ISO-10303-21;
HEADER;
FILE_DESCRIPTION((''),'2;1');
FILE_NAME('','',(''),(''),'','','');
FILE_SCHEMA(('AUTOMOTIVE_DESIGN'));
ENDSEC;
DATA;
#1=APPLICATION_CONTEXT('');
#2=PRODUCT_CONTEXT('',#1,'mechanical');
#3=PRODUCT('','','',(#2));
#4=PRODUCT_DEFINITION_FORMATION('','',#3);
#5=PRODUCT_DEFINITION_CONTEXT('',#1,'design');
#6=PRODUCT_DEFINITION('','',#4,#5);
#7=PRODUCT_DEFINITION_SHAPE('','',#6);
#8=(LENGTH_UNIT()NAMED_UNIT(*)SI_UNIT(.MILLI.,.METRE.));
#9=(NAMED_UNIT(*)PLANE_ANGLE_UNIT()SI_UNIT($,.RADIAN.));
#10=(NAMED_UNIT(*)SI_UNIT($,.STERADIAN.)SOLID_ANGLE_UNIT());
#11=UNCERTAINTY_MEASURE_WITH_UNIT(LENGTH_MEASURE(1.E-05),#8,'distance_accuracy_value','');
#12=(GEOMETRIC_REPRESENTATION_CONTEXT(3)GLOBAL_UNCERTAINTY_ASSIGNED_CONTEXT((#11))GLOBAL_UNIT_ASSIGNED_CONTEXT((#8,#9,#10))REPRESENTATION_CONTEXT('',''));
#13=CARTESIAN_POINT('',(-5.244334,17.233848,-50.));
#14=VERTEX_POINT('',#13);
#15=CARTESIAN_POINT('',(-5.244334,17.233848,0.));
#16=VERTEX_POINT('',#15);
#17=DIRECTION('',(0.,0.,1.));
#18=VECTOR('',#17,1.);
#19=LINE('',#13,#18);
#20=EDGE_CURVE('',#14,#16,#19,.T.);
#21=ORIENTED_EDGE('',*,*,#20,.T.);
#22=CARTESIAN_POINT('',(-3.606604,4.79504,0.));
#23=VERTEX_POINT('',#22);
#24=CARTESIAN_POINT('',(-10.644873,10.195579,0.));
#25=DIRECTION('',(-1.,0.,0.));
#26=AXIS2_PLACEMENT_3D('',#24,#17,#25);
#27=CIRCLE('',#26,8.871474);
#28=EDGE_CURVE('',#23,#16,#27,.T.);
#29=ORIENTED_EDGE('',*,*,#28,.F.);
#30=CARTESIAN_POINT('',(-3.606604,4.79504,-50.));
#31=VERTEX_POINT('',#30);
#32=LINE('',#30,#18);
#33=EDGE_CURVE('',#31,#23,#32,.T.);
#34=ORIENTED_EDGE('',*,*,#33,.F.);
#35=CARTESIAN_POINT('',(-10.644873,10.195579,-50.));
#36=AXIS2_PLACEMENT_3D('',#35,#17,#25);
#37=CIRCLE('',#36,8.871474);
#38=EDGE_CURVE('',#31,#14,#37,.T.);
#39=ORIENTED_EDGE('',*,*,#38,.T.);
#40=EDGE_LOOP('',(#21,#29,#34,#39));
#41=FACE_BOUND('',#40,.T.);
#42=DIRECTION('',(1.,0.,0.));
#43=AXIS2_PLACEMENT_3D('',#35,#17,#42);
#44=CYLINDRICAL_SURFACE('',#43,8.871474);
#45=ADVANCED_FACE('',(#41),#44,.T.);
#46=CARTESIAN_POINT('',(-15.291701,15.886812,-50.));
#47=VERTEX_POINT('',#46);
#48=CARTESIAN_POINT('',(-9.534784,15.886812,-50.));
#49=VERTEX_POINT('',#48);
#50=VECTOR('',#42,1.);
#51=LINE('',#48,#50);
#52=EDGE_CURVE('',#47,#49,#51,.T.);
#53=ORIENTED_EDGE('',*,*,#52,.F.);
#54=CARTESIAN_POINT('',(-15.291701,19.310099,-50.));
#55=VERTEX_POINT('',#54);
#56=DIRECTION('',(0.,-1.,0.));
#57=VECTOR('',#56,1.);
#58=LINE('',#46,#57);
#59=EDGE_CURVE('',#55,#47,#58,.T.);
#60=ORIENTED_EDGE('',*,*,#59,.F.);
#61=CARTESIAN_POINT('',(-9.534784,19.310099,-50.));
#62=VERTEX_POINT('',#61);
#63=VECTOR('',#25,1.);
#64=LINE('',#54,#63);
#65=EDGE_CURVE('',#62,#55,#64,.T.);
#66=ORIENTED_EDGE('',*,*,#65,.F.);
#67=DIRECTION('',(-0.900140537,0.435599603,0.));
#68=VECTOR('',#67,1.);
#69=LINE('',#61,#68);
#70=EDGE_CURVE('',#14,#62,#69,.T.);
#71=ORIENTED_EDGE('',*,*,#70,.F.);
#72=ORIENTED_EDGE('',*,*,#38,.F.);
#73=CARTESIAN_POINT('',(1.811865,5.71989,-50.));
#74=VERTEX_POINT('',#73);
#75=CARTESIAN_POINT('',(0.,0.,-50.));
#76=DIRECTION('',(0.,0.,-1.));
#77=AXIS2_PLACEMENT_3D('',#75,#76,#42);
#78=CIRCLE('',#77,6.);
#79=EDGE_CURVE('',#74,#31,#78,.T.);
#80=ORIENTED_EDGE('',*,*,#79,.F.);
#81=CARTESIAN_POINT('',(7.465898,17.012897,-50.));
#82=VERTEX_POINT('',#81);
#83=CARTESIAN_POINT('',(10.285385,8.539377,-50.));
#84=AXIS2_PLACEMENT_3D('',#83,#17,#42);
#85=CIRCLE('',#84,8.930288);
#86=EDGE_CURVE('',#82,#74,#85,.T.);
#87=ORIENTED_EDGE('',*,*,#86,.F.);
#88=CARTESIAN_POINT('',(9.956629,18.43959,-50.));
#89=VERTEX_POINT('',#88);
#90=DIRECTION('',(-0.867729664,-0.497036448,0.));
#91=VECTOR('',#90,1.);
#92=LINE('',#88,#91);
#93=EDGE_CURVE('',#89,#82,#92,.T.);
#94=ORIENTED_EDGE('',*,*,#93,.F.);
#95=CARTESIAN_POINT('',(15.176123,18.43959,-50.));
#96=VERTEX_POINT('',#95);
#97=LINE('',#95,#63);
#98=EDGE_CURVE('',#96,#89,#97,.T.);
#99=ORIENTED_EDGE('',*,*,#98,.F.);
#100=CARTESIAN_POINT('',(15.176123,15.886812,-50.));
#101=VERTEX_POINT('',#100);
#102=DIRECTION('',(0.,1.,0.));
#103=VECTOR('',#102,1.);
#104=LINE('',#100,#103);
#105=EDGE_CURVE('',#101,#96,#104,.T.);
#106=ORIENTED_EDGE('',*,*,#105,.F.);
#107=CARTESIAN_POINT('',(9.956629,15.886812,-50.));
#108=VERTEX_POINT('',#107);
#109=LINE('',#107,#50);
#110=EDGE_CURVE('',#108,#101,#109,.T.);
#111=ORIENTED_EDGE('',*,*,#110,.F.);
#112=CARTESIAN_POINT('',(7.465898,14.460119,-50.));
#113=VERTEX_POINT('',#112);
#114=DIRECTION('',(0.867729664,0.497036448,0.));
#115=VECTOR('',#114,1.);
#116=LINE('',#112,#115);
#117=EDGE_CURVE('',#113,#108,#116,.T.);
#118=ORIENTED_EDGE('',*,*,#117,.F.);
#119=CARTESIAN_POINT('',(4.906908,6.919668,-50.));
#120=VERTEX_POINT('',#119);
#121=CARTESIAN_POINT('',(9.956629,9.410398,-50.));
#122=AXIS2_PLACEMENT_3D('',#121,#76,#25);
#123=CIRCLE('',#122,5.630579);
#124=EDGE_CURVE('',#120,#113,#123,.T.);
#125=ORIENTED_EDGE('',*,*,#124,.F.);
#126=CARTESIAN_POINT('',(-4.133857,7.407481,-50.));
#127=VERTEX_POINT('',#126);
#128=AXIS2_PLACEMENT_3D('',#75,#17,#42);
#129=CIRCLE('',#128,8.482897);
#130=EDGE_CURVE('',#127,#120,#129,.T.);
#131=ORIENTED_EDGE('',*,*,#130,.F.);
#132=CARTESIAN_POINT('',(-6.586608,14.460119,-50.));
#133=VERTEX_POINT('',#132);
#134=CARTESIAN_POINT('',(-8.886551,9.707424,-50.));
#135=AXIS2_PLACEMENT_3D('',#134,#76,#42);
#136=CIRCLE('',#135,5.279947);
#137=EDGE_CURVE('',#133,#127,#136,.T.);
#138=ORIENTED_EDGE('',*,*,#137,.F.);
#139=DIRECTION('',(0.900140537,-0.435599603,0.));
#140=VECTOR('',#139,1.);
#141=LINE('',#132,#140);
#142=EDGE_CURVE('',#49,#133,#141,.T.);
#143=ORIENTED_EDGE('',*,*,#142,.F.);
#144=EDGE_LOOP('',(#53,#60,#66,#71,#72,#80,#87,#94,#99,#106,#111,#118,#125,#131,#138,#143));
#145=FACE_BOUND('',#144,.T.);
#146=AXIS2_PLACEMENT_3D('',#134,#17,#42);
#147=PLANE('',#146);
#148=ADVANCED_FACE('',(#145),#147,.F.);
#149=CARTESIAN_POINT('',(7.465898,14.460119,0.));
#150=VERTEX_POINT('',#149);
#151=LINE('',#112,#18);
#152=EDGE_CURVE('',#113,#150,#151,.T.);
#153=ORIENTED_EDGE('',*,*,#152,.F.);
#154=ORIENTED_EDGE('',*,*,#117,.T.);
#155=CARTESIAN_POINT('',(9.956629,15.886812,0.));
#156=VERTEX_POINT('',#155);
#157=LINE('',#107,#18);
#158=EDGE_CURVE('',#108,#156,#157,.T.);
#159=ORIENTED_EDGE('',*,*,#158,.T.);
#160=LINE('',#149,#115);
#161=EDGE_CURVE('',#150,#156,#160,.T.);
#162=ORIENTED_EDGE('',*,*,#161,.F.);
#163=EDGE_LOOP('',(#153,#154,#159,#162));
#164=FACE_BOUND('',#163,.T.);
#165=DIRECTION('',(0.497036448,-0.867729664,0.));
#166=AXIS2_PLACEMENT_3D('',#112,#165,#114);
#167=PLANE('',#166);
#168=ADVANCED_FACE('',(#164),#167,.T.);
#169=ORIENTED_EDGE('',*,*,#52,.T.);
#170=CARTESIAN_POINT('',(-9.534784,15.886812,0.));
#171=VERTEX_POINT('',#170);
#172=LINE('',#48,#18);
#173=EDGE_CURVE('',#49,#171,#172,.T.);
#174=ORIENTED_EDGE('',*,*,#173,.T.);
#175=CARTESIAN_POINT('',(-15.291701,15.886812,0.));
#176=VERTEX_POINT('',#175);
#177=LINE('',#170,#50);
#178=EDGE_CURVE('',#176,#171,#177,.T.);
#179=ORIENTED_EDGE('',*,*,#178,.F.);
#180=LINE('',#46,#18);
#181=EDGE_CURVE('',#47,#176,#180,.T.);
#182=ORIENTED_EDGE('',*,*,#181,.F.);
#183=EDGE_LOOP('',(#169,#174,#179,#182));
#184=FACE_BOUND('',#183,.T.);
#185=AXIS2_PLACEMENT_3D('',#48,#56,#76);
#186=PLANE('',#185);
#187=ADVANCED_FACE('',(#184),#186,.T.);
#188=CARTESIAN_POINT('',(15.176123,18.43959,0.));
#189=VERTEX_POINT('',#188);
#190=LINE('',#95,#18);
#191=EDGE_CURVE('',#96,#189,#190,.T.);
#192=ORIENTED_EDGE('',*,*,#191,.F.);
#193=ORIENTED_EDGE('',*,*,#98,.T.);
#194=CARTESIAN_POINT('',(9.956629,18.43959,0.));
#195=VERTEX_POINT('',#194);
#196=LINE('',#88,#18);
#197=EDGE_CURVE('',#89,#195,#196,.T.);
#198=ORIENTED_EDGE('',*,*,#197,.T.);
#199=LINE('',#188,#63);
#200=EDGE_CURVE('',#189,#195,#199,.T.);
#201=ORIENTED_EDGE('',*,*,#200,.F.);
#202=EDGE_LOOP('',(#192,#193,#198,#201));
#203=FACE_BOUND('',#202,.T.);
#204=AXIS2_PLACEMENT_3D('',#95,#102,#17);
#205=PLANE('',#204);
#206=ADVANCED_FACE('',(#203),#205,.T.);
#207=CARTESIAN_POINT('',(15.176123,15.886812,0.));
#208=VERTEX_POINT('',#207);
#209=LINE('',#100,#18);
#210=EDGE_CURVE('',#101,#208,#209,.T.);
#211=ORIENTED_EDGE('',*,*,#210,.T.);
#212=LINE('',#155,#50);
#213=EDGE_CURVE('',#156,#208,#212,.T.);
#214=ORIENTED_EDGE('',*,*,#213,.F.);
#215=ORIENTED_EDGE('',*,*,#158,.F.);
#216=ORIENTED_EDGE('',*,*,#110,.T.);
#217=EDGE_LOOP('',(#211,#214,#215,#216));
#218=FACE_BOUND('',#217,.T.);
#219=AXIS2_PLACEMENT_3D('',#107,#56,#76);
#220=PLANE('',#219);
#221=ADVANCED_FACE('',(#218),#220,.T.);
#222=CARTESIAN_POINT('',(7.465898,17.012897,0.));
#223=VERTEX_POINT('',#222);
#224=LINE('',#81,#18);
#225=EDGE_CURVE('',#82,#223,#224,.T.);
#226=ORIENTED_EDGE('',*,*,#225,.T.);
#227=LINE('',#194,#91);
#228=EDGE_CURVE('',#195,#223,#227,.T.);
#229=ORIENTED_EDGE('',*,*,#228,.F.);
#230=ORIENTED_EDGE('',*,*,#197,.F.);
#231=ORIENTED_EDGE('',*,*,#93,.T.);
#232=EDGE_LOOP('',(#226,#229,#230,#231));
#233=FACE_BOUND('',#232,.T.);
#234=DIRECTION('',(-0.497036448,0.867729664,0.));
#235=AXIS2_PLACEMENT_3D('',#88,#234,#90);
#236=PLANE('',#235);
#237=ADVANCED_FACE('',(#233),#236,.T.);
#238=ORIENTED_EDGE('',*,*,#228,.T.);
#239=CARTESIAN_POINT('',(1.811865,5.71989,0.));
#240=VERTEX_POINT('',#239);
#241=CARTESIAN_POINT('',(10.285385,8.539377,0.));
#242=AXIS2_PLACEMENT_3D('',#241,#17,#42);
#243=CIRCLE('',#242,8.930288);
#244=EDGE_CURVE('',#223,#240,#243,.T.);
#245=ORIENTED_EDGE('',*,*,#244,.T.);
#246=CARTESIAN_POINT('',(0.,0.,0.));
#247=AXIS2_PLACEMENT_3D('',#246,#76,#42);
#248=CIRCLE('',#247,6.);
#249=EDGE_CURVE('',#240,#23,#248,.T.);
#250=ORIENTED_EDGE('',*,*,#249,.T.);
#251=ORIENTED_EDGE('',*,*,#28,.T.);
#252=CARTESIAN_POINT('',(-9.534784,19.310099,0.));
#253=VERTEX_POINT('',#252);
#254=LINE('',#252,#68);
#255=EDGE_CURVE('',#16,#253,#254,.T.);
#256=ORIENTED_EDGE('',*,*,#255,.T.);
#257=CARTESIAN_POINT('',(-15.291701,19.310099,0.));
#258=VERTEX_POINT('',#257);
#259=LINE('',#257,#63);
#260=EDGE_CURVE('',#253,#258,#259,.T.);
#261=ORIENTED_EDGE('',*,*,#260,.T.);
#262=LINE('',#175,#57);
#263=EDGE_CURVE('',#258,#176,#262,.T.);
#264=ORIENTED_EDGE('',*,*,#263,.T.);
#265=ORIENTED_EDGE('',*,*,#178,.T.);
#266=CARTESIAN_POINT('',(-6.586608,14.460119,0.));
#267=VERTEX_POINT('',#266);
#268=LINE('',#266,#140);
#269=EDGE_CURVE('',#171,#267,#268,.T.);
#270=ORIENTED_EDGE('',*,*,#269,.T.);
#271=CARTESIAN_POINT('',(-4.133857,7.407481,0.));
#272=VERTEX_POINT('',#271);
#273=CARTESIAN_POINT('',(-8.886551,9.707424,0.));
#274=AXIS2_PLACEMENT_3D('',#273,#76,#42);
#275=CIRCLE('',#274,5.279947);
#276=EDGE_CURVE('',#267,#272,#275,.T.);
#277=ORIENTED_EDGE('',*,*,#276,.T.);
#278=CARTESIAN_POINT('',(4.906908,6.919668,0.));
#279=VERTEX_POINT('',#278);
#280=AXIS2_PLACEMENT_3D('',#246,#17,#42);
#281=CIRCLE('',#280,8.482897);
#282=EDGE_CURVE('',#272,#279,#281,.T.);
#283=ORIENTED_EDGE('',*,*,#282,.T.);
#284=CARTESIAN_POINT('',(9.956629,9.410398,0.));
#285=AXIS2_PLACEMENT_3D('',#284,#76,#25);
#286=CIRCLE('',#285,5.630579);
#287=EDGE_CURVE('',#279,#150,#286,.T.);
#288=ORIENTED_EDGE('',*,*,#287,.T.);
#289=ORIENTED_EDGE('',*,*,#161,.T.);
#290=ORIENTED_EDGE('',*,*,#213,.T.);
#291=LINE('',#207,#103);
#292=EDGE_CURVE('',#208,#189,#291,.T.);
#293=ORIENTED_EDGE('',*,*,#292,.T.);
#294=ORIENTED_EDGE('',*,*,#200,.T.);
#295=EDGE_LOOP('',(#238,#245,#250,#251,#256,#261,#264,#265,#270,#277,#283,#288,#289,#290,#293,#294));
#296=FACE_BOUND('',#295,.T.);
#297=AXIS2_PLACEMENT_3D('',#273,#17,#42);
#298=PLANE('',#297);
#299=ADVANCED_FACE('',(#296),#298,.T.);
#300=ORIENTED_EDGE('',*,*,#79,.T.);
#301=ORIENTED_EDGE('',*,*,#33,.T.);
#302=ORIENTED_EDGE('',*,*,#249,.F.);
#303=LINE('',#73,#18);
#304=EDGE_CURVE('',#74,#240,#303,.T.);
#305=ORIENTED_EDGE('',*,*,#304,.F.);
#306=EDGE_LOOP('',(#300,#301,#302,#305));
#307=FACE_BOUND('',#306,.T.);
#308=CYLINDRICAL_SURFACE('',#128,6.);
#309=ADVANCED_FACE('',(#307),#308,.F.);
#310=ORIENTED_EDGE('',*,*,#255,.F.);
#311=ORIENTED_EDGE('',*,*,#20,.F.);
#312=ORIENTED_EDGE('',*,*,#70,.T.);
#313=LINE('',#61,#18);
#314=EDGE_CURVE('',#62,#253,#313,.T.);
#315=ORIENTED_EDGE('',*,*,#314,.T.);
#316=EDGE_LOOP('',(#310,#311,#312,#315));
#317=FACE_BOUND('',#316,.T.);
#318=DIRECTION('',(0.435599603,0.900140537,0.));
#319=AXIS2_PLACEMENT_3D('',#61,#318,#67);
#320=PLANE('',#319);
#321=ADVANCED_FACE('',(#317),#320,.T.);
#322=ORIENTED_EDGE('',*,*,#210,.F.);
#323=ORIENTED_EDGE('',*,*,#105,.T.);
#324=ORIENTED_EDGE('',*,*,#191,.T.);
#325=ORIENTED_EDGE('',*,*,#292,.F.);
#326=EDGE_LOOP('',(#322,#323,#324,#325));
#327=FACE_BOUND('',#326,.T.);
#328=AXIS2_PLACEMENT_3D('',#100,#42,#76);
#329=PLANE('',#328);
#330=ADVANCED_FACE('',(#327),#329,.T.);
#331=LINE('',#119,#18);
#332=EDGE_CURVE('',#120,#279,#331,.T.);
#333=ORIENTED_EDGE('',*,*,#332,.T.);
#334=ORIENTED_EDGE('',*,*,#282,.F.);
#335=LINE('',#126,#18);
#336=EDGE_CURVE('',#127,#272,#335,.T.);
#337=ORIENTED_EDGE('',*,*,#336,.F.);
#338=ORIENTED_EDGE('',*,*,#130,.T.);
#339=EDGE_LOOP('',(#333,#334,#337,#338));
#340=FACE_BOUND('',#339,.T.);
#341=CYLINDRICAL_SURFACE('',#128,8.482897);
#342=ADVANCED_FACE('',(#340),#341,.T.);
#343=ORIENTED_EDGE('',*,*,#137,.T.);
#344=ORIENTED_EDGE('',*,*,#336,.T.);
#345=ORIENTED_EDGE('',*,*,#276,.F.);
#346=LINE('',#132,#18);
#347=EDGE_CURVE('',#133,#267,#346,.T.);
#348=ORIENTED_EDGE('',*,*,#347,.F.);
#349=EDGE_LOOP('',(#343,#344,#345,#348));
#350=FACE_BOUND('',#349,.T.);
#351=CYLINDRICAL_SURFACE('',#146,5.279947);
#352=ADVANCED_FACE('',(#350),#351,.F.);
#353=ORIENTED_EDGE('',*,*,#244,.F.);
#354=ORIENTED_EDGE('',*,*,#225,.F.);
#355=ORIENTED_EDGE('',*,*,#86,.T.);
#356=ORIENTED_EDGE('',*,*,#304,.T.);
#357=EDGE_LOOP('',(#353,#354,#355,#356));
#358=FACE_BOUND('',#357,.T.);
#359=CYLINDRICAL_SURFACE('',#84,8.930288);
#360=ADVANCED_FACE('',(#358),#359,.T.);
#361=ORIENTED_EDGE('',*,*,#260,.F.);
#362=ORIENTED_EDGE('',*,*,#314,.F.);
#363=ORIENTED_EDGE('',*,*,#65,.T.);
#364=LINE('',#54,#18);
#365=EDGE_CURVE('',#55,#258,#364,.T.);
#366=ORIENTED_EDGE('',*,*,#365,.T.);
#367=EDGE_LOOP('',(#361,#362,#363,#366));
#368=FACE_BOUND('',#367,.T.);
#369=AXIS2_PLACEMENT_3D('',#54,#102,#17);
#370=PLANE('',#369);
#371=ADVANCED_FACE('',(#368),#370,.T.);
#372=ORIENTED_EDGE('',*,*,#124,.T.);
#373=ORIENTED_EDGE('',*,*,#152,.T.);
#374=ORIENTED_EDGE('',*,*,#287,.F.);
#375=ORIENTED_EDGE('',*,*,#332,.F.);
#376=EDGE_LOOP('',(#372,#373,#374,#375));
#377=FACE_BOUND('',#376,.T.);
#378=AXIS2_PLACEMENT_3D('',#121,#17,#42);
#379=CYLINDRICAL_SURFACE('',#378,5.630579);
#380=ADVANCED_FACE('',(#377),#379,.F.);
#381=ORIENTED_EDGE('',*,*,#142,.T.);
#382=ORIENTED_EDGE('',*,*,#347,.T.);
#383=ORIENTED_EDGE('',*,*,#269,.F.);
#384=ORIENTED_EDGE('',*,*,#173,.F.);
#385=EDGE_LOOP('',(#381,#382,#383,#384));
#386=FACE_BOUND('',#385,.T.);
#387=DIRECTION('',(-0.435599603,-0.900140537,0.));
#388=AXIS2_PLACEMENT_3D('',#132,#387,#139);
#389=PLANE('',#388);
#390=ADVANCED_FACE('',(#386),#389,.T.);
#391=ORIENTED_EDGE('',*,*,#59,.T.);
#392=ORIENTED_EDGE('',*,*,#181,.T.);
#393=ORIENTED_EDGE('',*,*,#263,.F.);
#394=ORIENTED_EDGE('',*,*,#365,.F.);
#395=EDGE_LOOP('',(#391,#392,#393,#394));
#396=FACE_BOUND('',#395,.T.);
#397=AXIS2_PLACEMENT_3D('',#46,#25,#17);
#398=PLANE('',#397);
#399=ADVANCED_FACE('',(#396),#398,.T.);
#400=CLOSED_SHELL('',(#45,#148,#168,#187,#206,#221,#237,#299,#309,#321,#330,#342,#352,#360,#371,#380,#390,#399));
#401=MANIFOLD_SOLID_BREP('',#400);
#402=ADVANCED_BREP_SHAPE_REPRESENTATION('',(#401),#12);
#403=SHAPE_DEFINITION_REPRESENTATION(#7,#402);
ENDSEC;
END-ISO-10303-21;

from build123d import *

# Parameters (mm, degrees)
BOSS_EXTRUDE1_DEPTH = 50


with BuildPart() as part:
    # Sketch1 → Boss-Extrude1 (new body)
    with BuildSketch(Plane.XY):
        with BuildLine():
            Line((-6.586608294, 14.460119027), (-9.534784216, 15.886812091))
            Line((-9.534784216, 15.886812091), (-15.291700897, 15.886812091))
            Line((-15.291700897, 15.886812091), (-15.291700897, 19.310099191))
            Line((-15.291700897, 19.310099191), (-9.534784216, 19.310099191))
            Line((-9.534784216, 19.310099191), (-5.244334477, 17.233847622))
            ThreePointArc((-5.244334477, 17.233847622), (-1.849307759, 11.35362893), (-3.606603855, 4.795040003))
            ThreePointArc((-3.606603855, 4.795040003), (1.009509443, -5.914464531), (1.811864615, 5.719890438))
            ThreePointArc((1.811864615, 5.719890438), (2.300023264, 12.537382377), (7.465898335, 17.012896867))
            Line((7.465898335, 17.012896867), (9.956628937, 18.439589931))
            Line((9.956628937, 18.439589931), (15.176123212, 18.439589931))
            Line((15.176123212, 18.439589931), (15.176123212, 15.886812091))
            Line((15.176123212, 15.886812091), (9.956628937, 15.886812091))
            Line((9.956628937, 15.886812091), (7.465898335, 14.460119027))
            ThreePointArc((7.465898335, 14.460119027), (4.624724664, 11.219877568), (4.906908203, 6.919667691))
            ThreePointArc((4.906908203, 6.919667691), (-0.457047842, -8.470575915), (-4.133856573, 7.407481279))
            ThreePointArc((-4.133856573, 7.407481279), (-3.899583331, 11.441781667), (-6.586608294, 14.460119027))
        make_face()
    extrude(amount=-BOSS_EXTRUDE1_DEPTH)


solid = part.part
